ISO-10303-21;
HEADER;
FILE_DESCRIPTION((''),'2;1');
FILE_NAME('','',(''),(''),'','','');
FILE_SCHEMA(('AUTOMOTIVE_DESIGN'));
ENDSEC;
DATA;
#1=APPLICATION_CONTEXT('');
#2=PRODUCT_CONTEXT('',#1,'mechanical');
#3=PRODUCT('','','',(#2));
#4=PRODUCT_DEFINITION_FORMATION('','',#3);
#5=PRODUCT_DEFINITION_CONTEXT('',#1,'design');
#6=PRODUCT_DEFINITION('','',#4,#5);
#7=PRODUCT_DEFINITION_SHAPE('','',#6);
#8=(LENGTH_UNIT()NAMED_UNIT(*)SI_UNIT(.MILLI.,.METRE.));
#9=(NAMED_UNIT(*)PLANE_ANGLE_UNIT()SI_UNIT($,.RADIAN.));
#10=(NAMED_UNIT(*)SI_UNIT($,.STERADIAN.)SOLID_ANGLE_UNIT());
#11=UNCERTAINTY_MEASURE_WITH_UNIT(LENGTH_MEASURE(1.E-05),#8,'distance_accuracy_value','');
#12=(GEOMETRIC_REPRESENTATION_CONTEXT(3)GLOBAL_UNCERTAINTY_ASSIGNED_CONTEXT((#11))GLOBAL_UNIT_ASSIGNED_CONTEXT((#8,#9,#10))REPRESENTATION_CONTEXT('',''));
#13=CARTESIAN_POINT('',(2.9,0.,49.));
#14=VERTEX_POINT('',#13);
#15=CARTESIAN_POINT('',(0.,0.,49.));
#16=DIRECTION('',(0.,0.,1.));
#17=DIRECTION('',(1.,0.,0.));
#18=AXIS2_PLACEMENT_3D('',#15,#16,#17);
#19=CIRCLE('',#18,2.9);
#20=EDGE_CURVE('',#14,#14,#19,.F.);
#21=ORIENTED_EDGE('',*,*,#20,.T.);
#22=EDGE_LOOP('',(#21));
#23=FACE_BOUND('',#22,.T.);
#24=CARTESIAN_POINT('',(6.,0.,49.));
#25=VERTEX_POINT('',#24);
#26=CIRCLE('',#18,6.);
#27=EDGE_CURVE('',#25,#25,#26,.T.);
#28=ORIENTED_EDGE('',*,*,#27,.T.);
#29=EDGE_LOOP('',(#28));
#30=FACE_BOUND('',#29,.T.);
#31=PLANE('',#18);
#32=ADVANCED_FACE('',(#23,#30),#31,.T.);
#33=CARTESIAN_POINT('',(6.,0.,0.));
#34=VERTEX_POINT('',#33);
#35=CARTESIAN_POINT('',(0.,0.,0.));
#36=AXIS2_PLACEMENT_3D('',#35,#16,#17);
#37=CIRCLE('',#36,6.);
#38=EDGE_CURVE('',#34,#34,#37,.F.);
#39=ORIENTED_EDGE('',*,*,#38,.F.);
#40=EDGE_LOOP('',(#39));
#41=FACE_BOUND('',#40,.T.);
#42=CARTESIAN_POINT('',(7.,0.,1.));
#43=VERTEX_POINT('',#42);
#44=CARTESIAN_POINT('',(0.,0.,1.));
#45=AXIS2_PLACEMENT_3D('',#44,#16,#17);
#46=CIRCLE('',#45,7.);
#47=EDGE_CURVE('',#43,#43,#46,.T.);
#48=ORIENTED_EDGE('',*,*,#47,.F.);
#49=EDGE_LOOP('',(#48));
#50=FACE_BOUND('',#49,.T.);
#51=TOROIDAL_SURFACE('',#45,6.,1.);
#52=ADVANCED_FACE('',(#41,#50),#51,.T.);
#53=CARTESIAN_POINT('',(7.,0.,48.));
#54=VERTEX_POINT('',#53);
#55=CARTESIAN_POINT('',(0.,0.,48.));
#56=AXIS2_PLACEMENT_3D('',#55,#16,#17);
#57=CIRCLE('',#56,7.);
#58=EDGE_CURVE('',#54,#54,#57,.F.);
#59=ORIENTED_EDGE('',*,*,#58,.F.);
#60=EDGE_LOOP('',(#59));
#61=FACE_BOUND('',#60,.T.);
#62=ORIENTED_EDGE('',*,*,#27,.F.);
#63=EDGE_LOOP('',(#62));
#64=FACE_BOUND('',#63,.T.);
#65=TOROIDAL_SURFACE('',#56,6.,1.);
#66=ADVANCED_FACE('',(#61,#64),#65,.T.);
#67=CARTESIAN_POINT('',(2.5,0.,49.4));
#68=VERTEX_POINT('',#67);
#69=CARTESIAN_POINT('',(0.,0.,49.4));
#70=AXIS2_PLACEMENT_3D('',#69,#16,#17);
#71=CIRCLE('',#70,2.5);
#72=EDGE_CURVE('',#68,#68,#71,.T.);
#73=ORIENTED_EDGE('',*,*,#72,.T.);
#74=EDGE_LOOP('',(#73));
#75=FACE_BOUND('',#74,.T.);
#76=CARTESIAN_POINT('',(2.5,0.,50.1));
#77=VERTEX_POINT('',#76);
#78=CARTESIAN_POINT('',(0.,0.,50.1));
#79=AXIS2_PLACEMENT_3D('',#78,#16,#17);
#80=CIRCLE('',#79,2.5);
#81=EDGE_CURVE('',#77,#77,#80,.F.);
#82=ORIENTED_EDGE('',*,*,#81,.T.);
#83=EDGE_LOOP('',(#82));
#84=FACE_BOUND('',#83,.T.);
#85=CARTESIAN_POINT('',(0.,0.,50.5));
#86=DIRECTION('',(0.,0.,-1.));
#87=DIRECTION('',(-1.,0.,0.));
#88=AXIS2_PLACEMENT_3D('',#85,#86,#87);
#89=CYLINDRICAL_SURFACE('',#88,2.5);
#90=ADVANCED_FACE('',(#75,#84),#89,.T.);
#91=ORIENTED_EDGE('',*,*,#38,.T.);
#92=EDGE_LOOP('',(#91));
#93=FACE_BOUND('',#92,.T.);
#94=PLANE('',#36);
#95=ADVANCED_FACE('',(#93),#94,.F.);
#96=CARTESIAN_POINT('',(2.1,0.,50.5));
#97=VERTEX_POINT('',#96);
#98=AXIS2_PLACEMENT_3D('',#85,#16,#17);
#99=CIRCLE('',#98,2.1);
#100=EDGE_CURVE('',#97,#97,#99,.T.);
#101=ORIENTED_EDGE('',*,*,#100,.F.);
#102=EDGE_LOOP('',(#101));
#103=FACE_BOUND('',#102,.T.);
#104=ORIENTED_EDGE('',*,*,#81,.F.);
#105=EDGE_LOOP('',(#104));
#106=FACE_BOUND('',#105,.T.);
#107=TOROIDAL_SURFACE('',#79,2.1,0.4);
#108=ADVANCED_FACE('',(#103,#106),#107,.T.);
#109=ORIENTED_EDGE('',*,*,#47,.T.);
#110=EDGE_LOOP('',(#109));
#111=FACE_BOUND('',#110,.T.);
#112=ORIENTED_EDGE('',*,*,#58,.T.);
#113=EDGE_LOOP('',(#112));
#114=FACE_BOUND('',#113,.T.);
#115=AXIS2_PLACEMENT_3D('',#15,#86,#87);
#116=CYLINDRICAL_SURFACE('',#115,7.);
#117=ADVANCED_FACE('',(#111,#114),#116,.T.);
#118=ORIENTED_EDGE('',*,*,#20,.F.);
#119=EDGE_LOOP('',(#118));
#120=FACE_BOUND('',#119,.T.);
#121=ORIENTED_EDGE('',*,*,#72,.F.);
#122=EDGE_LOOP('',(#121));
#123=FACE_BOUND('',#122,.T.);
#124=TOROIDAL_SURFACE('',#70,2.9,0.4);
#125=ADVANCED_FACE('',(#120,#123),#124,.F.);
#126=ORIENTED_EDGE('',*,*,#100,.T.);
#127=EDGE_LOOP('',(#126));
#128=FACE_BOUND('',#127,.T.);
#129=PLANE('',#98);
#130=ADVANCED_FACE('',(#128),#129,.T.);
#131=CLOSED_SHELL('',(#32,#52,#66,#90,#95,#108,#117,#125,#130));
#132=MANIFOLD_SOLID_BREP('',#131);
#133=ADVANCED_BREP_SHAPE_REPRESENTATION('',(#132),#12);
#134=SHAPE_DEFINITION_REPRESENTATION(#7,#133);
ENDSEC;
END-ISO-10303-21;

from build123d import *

# Parameters (mm, degrees)
SKETCH1_R           = 7
BOSS_EXTRUDE1_DEPTH = 49
SKETCH2_R           = 2.5
BOSS_EXTRUDE2_DEPTH = 1.5
FILLET1_R           = 1
FILLET2_R           = 0.4


with BuildPart() as part:
    # Sketch1 → Boss-Extrude1 (new body)
    with BuildSketch(Plane.XY):
        Circle(SKETCH1_R)
    extrude(amount=BOSS_EXTRUDE1_DEPTH)

    # Sketch2 → Boss-Extrude2 (add)
    with BuildSketch(Plane.XY.offset(49)):
        Circle(SKETCH2_R)
    extrude(amount=BOSS_EXTRUDE2_DEPTH)

    # Fillet1
    fillet1_edges = [part.edges().sort_by_distance(p)[0] for p in [
        (-7, 0, 0),
        (-7, 0, 49),
    ]]
    fillet(fillet1_edges, radius=FILLET1_R)

    # Fillet2
    fillet2_edges = [part.edges().sort_by_distance(p)[0] for p in [
        (-2.5, 0, 49),
        (-2.5, 0, 50.5),
    ]]
    fillet(fillet2_edges, radius=FILLET2_R)


solid = part.part
